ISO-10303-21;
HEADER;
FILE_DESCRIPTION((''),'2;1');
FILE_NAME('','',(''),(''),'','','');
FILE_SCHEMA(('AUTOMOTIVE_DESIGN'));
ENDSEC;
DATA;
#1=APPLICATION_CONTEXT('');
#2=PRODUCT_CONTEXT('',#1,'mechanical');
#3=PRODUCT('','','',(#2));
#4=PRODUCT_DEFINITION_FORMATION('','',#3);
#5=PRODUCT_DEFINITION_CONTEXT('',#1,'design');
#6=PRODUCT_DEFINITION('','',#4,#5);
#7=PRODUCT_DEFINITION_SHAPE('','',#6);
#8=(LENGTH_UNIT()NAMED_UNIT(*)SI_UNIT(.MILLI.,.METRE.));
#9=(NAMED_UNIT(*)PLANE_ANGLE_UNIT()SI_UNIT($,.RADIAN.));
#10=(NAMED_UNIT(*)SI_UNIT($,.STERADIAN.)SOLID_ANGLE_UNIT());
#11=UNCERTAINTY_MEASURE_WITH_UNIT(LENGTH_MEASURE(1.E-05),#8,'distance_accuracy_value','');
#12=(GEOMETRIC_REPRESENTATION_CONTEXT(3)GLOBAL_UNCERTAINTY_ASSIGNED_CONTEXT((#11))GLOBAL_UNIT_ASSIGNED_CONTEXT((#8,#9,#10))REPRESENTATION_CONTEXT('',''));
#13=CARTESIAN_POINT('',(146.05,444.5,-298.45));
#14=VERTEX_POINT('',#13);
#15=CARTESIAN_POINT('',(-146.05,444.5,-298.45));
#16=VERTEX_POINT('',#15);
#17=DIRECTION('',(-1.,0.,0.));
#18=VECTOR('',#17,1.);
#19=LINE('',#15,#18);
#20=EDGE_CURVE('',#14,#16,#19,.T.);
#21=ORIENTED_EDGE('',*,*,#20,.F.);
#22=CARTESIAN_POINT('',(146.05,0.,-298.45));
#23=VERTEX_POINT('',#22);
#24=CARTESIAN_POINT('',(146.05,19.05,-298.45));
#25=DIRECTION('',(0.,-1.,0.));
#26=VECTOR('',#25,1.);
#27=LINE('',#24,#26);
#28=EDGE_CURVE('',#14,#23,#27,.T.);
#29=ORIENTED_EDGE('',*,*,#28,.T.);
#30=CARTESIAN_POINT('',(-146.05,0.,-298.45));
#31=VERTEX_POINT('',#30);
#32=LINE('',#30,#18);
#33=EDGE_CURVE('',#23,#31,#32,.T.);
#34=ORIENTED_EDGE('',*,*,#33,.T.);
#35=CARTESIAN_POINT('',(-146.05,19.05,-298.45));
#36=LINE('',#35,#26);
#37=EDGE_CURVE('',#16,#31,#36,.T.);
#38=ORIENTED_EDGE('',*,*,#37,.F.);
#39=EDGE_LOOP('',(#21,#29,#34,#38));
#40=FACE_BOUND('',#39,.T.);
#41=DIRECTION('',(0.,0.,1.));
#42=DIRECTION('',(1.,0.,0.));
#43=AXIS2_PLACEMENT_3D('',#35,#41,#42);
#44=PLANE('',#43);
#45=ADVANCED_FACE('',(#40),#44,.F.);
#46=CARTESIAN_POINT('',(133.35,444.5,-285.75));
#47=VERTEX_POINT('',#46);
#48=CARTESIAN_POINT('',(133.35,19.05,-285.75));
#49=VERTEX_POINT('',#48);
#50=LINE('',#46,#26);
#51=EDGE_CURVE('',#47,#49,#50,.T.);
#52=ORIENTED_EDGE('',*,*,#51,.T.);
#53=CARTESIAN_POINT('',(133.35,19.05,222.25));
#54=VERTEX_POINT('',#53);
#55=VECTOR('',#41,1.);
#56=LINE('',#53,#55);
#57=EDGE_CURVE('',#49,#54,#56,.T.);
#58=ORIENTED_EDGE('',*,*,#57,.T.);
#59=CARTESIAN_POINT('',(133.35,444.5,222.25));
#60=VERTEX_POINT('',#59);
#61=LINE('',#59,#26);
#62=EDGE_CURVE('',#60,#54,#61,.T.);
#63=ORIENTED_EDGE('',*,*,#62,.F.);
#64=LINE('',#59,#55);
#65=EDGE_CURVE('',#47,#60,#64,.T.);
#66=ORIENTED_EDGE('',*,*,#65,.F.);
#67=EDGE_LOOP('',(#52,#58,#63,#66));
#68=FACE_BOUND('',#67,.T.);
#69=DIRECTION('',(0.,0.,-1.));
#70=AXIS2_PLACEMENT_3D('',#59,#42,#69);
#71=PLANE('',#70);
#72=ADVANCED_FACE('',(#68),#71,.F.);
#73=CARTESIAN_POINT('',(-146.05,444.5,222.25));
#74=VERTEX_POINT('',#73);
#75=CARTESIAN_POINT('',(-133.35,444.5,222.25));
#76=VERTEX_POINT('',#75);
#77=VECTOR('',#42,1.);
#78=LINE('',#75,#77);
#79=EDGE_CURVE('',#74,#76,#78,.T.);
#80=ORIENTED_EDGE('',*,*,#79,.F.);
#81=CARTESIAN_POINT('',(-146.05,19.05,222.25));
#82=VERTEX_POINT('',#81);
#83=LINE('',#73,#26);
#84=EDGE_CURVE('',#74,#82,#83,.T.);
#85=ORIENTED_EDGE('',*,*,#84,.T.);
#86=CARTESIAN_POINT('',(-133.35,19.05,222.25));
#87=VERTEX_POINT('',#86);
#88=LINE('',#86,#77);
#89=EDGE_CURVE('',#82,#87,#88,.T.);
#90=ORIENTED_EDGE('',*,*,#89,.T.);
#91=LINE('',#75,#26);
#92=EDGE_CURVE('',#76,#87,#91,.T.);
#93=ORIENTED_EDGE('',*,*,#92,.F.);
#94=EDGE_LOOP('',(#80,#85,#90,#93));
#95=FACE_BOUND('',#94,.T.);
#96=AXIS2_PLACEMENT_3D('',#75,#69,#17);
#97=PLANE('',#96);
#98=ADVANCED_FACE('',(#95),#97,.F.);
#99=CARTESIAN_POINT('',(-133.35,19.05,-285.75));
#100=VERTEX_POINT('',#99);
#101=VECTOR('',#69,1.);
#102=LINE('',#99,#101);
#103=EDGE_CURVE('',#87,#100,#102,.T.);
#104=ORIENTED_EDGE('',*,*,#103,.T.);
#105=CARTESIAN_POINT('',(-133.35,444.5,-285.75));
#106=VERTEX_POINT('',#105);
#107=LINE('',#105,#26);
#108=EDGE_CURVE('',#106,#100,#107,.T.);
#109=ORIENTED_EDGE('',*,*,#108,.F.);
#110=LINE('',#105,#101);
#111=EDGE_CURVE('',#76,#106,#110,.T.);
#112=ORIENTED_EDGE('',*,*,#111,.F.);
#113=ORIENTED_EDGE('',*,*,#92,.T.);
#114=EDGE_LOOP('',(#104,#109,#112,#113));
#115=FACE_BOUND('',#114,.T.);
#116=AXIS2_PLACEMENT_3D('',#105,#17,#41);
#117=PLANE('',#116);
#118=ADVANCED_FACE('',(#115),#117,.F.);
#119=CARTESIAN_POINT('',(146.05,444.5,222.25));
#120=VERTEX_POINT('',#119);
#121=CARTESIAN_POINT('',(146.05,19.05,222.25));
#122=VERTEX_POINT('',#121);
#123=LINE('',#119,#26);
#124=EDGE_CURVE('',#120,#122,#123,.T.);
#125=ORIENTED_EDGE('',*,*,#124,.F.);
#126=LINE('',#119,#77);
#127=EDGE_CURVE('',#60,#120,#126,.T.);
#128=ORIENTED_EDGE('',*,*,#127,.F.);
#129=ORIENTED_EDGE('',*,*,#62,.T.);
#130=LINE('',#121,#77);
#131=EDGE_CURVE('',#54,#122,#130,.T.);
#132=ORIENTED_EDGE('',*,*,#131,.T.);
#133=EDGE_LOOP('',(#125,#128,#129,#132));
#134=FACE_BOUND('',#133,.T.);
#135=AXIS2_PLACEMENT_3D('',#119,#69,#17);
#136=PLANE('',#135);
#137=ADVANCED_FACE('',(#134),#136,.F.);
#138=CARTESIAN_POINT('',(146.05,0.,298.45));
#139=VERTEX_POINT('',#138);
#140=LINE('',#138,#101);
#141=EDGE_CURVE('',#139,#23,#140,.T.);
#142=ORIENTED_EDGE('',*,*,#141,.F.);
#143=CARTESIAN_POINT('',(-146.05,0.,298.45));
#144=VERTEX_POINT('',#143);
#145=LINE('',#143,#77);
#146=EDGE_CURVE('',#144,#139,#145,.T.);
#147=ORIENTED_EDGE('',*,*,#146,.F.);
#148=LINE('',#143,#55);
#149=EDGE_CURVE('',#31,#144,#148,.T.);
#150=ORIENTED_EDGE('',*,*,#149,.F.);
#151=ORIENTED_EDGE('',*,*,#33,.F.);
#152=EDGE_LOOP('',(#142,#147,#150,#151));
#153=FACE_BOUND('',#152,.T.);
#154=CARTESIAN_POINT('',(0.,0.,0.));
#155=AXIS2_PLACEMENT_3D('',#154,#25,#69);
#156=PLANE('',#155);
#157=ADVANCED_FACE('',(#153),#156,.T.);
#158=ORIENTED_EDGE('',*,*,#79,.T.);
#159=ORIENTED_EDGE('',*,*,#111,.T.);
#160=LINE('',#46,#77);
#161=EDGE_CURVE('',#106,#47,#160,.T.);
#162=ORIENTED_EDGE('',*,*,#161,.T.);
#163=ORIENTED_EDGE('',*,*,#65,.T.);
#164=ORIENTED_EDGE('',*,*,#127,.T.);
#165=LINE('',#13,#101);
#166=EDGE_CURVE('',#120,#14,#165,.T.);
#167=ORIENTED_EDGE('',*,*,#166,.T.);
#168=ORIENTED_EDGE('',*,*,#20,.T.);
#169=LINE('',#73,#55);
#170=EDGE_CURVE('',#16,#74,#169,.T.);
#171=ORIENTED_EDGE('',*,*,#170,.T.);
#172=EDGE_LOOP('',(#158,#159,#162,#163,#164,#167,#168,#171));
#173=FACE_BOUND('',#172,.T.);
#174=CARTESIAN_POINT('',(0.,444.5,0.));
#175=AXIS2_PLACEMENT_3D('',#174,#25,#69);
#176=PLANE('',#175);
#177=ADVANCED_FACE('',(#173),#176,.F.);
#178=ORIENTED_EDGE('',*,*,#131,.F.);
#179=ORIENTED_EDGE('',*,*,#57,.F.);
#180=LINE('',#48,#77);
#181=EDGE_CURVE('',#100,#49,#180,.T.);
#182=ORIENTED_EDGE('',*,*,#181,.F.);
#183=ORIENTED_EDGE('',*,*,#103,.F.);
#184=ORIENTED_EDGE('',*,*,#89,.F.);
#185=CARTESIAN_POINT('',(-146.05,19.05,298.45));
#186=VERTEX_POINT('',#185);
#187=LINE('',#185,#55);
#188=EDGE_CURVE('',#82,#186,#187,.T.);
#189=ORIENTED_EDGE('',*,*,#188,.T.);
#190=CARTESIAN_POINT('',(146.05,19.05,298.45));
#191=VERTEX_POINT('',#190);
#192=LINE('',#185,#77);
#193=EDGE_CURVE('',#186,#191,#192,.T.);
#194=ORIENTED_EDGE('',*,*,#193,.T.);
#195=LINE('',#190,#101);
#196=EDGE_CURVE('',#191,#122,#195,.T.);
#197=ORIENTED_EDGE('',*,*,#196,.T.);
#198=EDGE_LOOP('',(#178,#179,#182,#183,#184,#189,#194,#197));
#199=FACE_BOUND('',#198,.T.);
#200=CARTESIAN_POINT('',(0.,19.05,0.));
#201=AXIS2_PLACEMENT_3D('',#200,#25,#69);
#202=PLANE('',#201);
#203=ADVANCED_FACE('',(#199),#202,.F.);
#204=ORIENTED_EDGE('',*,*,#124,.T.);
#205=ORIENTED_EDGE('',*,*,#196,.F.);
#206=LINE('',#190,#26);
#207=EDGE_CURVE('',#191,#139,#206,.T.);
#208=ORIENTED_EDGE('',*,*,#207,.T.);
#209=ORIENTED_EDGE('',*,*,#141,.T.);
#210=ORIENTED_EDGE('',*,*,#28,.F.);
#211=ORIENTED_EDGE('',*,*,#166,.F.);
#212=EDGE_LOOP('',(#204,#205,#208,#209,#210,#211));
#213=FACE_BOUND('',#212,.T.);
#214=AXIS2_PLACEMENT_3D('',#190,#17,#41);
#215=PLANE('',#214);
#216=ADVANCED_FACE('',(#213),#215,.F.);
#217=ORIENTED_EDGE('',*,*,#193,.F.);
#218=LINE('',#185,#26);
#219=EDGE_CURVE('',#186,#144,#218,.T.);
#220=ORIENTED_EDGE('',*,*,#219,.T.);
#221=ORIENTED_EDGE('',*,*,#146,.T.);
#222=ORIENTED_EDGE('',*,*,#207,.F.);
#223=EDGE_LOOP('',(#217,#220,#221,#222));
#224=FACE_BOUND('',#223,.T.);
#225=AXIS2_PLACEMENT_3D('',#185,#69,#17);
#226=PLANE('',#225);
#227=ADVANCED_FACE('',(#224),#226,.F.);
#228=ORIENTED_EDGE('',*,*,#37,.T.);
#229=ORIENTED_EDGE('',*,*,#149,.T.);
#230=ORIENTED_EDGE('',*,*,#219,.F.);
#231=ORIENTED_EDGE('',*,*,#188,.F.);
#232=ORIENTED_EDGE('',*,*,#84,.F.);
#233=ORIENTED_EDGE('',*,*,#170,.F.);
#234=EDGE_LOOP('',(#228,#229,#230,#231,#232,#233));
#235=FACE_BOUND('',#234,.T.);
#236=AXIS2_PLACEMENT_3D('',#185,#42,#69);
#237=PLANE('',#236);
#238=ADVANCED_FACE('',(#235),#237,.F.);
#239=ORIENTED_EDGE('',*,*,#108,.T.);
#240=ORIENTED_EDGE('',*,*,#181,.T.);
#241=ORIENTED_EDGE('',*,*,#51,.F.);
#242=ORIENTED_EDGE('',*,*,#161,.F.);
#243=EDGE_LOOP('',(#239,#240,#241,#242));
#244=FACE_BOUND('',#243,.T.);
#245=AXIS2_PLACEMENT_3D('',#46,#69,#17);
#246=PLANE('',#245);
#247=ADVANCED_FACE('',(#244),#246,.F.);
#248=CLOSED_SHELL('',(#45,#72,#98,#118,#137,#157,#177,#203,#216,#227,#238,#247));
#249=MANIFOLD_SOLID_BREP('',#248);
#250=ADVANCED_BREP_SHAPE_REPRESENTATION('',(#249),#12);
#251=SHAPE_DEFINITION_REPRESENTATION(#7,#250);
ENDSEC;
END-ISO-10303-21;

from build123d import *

# Parameters (mm, degrees)
SKETCH1_W           = 292.1
SKETCH1_H           = 596.9
BOSS_EXTRUDE1_DEPTH = 19.05
BOSS_EXTRUDE2_DEPTH = 425.45


with BuildPart() as part:
    # Sketch1 → Boss-Extrude1 (new body)
    with BuildSketch(Plane(origin=(0, 0, 0), x_dir=(1, 0, 0), z_dir=(0, 1, 0))):
        Rectangle(SKETCH1_W, SKETCH1_H)
    extrude(amount=BOSS_EXTRUDE1_DEPTH)

    # Sketch2 → Boss-Extrude2 (add)
    with BuildSketch(Plane(origin=(0, 19.05, 0), x_dir=(1, 0, 0), z_dir=(0, 1, 0))):
        Polygon((-146.05, -222.25), (-146.05, 298.45), (146.05, 298.45), (146.05, -222.25), (133.35, -222.25), (133.35, 285.75), (-133.35, 285.75), (-133.35, -222.25), align=None)
    extrude(amount=BOSS_EXTRUDE2_DEPTH)


solid = part.part
